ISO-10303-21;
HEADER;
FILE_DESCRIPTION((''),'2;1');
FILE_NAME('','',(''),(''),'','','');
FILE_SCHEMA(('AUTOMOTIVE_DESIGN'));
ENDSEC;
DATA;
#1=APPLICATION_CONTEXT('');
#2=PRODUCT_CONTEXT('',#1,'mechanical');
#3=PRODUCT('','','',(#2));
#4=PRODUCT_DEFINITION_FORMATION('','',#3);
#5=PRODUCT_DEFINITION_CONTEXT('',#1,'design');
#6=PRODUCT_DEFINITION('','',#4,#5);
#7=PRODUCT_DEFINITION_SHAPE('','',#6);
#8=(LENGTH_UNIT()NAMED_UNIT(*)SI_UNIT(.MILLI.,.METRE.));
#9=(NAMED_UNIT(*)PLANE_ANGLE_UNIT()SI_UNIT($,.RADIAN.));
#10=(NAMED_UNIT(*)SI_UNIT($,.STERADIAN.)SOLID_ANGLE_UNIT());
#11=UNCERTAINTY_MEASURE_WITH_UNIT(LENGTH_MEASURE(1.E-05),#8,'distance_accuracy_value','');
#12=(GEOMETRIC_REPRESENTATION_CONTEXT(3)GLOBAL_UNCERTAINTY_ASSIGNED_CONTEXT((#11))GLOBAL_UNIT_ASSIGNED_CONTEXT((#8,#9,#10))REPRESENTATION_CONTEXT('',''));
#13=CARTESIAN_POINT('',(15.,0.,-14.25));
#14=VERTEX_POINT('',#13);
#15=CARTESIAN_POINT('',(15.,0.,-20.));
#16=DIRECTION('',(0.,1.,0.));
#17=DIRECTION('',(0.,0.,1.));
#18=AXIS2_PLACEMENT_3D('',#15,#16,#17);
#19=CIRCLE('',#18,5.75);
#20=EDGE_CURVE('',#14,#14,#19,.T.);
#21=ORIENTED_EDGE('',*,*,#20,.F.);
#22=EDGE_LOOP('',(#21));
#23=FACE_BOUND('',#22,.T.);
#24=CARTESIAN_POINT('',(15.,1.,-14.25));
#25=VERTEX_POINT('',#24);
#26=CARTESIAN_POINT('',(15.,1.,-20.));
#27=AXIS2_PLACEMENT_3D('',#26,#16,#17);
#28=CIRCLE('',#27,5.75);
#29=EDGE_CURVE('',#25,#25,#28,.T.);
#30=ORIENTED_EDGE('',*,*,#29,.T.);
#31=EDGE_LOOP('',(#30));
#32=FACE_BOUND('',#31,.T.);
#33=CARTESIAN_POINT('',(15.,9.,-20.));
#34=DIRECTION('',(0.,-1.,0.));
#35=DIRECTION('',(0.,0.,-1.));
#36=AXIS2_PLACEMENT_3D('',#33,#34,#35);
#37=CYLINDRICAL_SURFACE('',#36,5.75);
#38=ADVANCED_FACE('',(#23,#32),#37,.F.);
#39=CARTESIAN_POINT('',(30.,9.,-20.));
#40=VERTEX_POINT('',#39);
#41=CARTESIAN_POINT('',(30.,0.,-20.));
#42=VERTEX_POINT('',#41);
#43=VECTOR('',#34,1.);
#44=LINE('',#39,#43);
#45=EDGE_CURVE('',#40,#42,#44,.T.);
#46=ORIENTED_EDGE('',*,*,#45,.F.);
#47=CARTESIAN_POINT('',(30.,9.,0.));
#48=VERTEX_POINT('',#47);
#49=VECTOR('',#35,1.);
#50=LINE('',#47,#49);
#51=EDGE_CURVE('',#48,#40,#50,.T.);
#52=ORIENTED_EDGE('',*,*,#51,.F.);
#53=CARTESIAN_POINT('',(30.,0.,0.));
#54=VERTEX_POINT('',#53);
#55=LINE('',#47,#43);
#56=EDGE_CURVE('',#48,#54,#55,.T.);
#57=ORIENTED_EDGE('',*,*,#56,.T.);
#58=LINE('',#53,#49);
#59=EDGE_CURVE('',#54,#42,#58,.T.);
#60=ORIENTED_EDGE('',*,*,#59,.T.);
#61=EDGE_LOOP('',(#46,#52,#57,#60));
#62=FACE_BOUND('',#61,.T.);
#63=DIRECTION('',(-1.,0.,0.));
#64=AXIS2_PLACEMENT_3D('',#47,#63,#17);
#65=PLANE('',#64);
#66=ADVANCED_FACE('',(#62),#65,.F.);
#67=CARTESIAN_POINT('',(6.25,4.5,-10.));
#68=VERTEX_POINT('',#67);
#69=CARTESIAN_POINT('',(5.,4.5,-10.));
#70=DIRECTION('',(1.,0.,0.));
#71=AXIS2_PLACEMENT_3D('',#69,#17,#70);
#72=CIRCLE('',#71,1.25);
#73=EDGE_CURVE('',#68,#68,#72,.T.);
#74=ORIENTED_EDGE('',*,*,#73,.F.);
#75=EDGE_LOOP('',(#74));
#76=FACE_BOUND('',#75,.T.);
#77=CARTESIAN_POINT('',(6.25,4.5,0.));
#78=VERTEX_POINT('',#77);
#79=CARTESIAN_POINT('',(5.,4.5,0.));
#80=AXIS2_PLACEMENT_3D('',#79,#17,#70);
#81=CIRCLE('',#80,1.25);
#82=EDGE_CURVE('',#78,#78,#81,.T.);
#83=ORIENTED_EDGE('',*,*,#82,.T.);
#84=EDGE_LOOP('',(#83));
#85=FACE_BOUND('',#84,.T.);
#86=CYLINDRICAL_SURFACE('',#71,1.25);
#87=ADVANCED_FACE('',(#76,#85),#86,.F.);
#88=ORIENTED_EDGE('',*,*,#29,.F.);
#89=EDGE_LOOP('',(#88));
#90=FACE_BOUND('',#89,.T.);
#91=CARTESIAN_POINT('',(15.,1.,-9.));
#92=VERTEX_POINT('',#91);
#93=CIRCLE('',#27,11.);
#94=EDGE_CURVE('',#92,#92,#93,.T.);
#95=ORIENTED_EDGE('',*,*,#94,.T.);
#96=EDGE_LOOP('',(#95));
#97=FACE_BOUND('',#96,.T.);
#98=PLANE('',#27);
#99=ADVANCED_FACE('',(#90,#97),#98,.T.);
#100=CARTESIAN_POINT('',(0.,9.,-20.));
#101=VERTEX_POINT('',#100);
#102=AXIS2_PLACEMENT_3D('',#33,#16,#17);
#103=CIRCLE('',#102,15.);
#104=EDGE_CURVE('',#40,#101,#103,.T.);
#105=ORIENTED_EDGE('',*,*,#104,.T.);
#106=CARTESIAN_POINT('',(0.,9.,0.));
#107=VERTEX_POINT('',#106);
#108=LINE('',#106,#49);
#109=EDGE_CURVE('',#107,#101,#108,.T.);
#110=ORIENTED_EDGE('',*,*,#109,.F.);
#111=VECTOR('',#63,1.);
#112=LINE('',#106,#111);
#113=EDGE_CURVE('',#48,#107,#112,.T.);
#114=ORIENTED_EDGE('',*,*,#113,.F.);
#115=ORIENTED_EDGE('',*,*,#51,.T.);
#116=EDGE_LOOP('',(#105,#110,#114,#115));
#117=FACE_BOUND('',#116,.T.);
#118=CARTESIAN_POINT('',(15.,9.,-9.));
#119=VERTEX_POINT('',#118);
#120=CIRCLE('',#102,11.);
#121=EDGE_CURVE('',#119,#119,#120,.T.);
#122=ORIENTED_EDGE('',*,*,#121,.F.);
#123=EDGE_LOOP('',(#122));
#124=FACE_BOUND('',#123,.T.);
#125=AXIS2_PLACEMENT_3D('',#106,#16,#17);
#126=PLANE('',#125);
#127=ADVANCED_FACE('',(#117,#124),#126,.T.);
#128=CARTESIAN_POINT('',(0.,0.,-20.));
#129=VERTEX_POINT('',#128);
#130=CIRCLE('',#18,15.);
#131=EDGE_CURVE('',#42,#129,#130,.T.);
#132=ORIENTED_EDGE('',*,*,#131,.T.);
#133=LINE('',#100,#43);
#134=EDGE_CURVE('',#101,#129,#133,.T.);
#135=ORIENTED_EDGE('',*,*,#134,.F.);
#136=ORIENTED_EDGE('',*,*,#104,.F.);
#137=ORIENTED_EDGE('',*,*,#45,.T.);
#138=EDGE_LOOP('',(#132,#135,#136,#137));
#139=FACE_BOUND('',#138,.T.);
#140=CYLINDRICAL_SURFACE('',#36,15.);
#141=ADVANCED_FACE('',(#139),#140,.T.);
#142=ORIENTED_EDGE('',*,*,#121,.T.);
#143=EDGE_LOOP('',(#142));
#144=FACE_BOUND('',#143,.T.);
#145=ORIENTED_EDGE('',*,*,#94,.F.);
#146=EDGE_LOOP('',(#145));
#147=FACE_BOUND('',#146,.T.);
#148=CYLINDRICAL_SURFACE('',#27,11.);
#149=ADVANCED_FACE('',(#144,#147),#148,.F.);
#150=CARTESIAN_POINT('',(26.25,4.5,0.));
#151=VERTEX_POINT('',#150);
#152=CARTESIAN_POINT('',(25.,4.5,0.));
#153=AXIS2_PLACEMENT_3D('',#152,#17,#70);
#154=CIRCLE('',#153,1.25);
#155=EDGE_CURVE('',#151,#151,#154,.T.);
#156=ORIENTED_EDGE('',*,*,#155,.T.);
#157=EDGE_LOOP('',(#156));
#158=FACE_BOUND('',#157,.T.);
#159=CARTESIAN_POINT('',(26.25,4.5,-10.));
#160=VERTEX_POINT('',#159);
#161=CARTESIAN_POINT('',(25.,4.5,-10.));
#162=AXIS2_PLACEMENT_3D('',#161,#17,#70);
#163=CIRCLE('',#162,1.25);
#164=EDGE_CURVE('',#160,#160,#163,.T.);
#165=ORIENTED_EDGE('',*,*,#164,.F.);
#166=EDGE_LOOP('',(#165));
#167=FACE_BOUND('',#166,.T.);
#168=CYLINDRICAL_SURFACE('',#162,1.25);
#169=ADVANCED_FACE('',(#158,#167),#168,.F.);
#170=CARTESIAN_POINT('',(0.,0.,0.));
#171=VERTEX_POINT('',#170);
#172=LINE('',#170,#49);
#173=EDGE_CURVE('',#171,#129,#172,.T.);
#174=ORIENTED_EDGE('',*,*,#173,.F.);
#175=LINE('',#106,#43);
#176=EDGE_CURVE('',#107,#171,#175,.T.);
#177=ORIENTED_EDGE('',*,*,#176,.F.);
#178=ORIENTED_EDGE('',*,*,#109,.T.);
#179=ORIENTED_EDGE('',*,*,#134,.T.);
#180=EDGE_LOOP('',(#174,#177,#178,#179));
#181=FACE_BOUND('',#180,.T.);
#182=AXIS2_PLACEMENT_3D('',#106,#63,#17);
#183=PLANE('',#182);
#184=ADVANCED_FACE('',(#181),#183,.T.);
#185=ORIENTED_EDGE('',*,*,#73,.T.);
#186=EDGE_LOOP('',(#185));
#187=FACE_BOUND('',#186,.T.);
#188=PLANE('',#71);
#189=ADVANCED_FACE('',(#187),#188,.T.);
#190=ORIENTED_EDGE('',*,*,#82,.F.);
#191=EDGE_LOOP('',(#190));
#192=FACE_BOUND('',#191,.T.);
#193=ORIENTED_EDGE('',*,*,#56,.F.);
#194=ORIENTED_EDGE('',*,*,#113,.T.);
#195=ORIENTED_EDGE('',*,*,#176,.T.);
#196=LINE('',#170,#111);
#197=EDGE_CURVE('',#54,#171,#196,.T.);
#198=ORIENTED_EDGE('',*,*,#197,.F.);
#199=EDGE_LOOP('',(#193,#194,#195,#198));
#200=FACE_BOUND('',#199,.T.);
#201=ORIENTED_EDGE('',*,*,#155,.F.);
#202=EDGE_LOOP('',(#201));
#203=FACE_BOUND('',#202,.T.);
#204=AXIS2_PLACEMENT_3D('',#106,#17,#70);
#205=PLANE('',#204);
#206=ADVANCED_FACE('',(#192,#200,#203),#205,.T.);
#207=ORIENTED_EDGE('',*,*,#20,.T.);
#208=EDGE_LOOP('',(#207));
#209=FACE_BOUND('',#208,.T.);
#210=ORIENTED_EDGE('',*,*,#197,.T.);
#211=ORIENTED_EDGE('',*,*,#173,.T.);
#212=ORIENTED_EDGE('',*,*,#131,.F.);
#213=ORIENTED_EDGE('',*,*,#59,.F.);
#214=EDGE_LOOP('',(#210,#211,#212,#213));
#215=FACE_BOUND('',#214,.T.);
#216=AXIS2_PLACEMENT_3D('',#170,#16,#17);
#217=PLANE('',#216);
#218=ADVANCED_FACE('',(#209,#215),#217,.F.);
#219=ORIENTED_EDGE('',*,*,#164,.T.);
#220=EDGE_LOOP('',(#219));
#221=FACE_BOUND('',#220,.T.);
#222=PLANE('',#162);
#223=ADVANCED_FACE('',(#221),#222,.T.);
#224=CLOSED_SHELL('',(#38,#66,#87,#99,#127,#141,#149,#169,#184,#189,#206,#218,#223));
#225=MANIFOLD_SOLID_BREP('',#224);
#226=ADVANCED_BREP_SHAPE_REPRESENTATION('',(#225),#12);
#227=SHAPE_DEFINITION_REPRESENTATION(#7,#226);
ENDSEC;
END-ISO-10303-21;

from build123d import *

# Parameters (mm, degrees)
SKETCH1_R           = 11
SKETCH1_R_2         = 5.75
BOSS_EXTRUDE1_DEPTH = 9
SKETCH2_R           = 11
CUT_EXTRUDE1_DEPTH  = 8
SKETCH8_R           = 1.25
CUT_EXTRUDE2_DEPTH  = 10


with BuildPart() as part:
    # Sketch1 → Boss-Extrude1 (new body)
    with BuildSketch(Plane(origin=(0, 0, 0), x_dir=(1, 0, 0), z_dir=(0, 1, 0))):
        with BuildLine():
            Line((30, 0), (30, 20))
            ThreePointArc((30, 20), (15, 35), (0, 20))
            Line((0, 20), (0, 0))
            Line((0, 0), (30, 0))
        make_face()
        with Locations((15, 20)):
            Circle(SKETCH1_R, mode=Mode.SUBTRACT)
        with Locations((15, 20)):
            Circle(SKETCH1_R)
        with Locations((15, 20)):
            Circle(SKETCH1_R_2, mode=Mode.SUBTRACT)
    extrude(amount=BOSS_EXTRUDE1_DEPTH)

    # Sketch2 → Cut-Extrude1 (cut)
    with BuildSketch(Plane(origin=(0, 9, 0), x_dir=(1, 0, 0), z_dir=(0, 1, 0))):
        with Locations((15, 20)):
            Circle(SKETCH2_R)
    extrude(amount=-CUT_EXTRUDE1_DEPTH, mode=Mode.SUBTRACT)

    # Sketch8 → Cut-Extrude2 (cut)
    with BuildSketch(Plane.XY):
        with Locations((25, 4.5)):
            Circle(SKETCH8_R)
        with Locations((5, 4.5)):
            Circle(SKETCH8_R)
    extrude(amount=-CUT_EXTRUDE2_DEPTH, mode=Mode.SUBTRACT)


solid = part.part
